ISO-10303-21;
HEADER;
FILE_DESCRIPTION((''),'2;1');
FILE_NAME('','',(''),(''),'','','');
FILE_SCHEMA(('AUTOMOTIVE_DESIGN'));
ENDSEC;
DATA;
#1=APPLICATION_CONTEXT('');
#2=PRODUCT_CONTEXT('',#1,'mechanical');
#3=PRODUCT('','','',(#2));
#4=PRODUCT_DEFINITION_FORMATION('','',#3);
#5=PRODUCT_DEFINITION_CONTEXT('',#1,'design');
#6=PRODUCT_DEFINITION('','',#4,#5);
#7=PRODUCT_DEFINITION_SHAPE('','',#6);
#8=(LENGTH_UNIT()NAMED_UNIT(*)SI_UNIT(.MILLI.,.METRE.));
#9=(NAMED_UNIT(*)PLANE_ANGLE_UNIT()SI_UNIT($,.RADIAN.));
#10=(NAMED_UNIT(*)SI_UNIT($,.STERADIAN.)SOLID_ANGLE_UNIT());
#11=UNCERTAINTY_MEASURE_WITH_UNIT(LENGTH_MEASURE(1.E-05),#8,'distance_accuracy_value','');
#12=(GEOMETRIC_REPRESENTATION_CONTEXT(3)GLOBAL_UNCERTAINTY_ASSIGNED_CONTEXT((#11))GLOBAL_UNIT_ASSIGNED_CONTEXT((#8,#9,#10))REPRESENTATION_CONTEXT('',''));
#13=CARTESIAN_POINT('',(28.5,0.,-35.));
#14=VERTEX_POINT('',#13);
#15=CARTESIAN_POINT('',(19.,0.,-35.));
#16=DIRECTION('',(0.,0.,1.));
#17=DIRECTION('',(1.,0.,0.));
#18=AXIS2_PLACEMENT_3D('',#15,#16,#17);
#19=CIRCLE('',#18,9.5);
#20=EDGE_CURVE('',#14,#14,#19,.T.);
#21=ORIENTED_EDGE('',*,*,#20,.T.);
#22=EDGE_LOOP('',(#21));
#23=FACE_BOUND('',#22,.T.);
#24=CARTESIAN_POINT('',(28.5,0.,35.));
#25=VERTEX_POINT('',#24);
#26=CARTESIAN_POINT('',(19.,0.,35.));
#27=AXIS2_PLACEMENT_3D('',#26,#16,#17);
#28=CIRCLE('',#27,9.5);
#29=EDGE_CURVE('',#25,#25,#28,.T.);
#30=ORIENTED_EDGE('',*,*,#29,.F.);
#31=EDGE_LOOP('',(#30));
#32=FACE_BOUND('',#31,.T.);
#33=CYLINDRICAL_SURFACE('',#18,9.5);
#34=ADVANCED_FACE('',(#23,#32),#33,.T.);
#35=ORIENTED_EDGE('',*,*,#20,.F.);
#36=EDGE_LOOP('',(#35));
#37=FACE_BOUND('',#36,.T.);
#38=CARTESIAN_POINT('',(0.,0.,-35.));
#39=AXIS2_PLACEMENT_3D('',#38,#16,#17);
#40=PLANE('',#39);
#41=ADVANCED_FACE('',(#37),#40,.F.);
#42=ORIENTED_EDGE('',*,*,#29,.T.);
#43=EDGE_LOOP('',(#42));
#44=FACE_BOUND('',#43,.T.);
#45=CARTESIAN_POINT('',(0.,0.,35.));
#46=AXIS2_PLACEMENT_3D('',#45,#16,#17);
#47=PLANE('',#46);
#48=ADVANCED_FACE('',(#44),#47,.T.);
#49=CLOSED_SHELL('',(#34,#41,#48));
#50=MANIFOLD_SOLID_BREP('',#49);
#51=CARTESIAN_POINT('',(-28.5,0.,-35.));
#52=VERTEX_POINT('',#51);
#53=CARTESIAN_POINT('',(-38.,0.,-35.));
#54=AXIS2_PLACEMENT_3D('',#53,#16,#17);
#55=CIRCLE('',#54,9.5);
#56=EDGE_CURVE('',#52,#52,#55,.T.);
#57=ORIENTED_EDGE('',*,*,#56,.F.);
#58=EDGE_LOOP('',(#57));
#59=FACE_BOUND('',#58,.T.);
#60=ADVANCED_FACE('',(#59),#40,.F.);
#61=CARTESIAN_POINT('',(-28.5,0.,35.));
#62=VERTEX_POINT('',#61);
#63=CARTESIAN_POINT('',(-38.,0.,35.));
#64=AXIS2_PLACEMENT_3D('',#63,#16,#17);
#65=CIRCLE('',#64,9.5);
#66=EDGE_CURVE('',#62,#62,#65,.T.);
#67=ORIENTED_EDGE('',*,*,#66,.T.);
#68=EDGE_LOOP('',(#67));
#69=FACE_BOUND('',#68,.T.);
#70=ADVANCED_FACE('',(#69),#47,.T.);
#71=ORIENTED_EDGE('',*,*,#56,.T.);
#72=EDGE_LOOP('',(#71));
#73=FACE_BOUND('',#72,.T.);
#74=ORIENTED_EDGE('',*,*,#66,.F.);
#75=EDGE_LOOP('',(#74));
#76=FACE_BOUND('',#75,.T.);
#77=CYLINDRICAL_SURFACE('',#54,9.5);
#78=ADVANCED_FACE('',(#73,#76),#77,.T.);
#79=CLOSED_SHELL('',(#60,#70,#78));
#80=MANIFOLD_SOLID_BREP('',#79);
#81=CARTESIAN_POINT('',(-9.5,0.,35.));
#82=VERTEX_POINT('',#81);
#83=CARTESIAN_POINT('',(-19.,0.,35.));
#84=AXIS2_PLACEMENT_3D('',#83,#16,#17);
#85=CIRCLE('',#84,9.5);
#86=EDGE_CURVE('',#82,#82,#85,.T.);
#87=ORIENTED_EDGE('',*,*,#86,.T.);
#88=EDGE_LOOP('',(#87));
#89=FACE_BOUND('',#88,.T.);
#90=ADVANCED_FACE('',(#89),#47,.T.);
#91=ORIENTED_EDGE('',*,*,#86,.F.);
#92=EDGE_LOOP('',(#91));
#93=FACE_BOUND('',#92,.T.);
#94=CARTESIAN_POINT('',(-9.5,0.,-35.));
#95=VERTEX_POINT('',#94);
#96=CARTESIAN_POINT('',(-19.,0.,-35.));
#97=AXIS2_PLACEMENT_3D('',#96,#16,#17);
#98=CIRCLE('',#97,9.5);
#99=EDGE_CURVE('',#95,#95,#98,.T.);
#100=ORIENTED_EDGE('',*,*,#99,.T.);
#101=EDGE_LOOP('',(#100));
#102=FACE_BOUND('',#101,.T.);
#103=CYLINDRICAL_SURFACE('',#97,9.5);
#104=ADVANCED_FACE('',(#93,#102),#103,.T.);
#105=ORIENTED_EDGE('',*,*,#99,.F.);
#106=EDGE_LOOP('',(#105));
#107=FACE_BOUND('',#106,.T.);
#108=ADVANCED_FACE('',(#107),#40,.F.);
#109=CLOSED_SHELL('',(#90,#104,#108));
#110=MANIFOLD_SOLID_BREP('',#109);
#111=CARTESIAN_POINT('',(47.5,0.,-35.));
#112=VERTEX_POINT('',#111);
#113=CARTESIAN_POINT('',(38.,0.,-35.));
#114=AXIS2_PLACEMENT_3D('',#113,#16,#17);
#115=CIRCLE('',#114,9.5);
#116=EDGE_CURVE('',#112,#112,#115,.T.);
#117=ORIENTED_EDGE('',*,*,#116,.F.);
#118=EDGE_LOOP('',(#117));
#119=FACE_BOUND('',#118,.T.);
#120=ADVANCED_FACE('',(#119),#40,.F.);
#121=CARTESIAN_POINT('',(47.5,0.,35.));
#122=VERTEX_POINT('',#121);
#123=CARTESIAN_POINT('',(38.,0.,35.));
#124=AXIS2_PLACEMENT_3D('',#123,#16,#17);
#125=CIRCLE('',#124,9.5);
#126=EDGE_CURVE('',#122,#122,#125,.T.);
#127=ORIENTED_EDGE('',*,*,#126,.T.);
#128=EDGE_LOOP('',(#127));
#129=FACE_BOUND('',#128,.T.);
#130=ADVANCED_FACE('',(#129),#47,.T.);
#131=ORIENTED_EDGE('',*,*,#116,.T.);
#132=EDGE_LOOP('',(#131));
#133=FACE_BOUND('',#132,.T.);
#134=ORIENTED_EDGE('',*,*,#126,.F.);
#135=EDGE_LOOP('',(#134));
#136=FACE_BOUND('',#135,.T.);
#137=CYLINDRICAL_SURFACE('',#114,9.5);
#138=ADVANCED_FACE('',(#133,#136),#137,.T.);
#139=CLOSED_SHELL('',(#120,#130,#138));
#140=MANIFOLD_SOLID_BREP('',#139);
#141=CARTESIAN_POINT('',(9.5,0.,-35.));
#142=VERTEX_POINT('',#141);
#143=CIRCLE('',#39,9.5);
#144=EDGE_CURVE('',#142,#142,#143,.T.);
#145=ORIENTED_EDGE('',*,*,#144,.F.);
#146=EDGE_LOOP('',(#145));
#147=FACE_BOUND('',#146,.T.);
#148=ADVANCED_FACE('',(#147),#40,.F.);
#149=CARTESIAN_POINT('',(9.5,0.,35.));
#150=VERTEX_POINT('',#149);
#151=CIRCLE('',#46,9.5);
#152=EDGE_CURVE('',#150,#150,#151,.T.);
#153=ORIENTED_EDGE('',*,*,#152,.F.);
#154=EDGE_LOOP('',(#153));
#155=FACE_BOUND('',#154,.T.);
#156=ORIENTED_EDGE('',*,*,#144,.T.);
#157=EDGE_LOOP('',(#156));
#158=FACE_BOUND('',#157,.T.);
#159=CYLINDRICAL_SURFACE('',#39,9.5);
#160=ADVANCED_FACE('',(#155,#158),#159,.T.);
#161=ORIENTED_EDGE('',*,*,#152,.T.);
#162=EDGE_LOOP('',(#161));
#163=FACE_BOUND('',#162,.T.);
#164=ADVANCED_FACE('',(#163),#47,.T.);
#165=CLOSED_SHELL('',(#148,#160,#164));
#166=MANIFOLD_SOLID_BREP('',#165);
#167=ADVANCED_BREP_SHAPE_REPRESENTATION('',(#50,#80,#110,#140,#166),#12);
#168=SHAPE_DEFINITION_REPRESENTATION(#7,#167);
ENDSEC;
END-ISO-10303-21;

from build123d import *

# Parameters (mm, degrees)
BOSS_EXTRUDE1_DEPTH        = 35
BOSS_EXTRUDE1_DEPTH_BACK   = 35
BOSS_EXTRUDE1_2_DEPTH      = 35
BOSS_EXTRUDE1_2_DEPTH_BACK = 35
SKETCH1_R                  = 9.5
BOSS_EXTRUDE1_3_DEPTH      = 35
BOSS_EXTRUDE1_3_DEPTH_BACK = 35
BOSS_EXTRUDE1_4_DEPTH      = 35
BOSS_EXTRUDE1_4_DEPTH_BACK = 35
BOSS_EXTRUDE1_5_DEPTH      = 35
BOSS_EXTRUDE1_5_DEPTH_BACK = 35


with BuildPart() as part:
    # Sketch1 → Boss-Extrude1 (new, two sides: drawn at the far end of the back side and taken through both)
    with BuildSketch(Plane.XY.offset(-BOSS_EXTRUDE1_DEPTH_BACK)):
        with BuildLine():
            ThreePointArc((-9.5, 0), (0, -9.5), (9.5, 0))
            ThreePointArc((9.5, 0), (0, 9.5), (-9.5, 0))
        make_face()
    extrude(amount=BOSS_EXTRUDE1_DEPTH + BOSS_EXTRUDE1_DEPTH_BACK)


with BuildPart() as body_2:
    # Sketch1 → Boss-Extrude1 2 (new, two sides: drawn at the far end of the back side and taken through both)
    with BuildSketch(Plane.XY.offset(-BOSS_EXTRUDE1_2_DEPTH_BACK)):
        with Locations((-38, 0)):
            Circle(SKETCH1_R)
    extrude(amount=BOSS_EXTRUDE1_2_DEPTH + BOSS_EXTRUDE1_2_DEPTH_BACK)


with BuildPart() as body_3:
    # Sketch1 → Boss-Extrude1 3 (new, two sides: drawn at the far end of the back side and taken through both)
    with BuildSketch(Plane.XY.offset(-BOSS_EXTRUDE1_3_DEPTH_BACK)):
        with BuildLine():
            ThreePointArc((-28.5, 0), (-19, -9.5), (-9.5, 0))
            ThreePointArc((-9.5, 0), (-19, 9.5), (-28.5, 0))
        make_face()
    extrude(amount=BOSS_EXTRUDE1_3_DEPTH + BOSS_EXTRUDE1_3_DEPTH_BACK)


with BuildPart() as body_4:
    # Sketch1 → Boss-Extrude1 4 (new, two sides: drawn at the far end of the back side and taken through both)
    with BuildSketch(Plane.XY.offset(-BOSS_EXTRUDE1_4_DEPTH_BACK)):
        with Locations((38, 0)):
            Circle(SKETCH1_R)
    extrude(amount=BOSS_EXTRUDE1_4_DEPTH + BOSS_EXTRUDE1_4_DEPTH_BACK)


with BuildPart() as body_5:
    # Sketch1 → Boss-Extrude1 5 (new, two sides: drawn at the far end of the back side and taken through both)
    with BuildSketch(Plane.XY.offset(-BOSS_EXTRUDE1_5_DEPTH_BACK)):
        with BuildLine():
            ThreePointArc((28.5, 0), (19, 9.5), (9.5, 0))
            ThreePointArc((9.5, 0), (19, -9.5), (28.5, 0))
        make_face()
    extrude(amount=BOSS_EXTRUDE1_5_DEPTH + BOSS_EXTRUDE1_5_DEPTH_BACK)


solid = Compound([part.part, body_2.part, body_3.part, body_4.part, body_5.part])
